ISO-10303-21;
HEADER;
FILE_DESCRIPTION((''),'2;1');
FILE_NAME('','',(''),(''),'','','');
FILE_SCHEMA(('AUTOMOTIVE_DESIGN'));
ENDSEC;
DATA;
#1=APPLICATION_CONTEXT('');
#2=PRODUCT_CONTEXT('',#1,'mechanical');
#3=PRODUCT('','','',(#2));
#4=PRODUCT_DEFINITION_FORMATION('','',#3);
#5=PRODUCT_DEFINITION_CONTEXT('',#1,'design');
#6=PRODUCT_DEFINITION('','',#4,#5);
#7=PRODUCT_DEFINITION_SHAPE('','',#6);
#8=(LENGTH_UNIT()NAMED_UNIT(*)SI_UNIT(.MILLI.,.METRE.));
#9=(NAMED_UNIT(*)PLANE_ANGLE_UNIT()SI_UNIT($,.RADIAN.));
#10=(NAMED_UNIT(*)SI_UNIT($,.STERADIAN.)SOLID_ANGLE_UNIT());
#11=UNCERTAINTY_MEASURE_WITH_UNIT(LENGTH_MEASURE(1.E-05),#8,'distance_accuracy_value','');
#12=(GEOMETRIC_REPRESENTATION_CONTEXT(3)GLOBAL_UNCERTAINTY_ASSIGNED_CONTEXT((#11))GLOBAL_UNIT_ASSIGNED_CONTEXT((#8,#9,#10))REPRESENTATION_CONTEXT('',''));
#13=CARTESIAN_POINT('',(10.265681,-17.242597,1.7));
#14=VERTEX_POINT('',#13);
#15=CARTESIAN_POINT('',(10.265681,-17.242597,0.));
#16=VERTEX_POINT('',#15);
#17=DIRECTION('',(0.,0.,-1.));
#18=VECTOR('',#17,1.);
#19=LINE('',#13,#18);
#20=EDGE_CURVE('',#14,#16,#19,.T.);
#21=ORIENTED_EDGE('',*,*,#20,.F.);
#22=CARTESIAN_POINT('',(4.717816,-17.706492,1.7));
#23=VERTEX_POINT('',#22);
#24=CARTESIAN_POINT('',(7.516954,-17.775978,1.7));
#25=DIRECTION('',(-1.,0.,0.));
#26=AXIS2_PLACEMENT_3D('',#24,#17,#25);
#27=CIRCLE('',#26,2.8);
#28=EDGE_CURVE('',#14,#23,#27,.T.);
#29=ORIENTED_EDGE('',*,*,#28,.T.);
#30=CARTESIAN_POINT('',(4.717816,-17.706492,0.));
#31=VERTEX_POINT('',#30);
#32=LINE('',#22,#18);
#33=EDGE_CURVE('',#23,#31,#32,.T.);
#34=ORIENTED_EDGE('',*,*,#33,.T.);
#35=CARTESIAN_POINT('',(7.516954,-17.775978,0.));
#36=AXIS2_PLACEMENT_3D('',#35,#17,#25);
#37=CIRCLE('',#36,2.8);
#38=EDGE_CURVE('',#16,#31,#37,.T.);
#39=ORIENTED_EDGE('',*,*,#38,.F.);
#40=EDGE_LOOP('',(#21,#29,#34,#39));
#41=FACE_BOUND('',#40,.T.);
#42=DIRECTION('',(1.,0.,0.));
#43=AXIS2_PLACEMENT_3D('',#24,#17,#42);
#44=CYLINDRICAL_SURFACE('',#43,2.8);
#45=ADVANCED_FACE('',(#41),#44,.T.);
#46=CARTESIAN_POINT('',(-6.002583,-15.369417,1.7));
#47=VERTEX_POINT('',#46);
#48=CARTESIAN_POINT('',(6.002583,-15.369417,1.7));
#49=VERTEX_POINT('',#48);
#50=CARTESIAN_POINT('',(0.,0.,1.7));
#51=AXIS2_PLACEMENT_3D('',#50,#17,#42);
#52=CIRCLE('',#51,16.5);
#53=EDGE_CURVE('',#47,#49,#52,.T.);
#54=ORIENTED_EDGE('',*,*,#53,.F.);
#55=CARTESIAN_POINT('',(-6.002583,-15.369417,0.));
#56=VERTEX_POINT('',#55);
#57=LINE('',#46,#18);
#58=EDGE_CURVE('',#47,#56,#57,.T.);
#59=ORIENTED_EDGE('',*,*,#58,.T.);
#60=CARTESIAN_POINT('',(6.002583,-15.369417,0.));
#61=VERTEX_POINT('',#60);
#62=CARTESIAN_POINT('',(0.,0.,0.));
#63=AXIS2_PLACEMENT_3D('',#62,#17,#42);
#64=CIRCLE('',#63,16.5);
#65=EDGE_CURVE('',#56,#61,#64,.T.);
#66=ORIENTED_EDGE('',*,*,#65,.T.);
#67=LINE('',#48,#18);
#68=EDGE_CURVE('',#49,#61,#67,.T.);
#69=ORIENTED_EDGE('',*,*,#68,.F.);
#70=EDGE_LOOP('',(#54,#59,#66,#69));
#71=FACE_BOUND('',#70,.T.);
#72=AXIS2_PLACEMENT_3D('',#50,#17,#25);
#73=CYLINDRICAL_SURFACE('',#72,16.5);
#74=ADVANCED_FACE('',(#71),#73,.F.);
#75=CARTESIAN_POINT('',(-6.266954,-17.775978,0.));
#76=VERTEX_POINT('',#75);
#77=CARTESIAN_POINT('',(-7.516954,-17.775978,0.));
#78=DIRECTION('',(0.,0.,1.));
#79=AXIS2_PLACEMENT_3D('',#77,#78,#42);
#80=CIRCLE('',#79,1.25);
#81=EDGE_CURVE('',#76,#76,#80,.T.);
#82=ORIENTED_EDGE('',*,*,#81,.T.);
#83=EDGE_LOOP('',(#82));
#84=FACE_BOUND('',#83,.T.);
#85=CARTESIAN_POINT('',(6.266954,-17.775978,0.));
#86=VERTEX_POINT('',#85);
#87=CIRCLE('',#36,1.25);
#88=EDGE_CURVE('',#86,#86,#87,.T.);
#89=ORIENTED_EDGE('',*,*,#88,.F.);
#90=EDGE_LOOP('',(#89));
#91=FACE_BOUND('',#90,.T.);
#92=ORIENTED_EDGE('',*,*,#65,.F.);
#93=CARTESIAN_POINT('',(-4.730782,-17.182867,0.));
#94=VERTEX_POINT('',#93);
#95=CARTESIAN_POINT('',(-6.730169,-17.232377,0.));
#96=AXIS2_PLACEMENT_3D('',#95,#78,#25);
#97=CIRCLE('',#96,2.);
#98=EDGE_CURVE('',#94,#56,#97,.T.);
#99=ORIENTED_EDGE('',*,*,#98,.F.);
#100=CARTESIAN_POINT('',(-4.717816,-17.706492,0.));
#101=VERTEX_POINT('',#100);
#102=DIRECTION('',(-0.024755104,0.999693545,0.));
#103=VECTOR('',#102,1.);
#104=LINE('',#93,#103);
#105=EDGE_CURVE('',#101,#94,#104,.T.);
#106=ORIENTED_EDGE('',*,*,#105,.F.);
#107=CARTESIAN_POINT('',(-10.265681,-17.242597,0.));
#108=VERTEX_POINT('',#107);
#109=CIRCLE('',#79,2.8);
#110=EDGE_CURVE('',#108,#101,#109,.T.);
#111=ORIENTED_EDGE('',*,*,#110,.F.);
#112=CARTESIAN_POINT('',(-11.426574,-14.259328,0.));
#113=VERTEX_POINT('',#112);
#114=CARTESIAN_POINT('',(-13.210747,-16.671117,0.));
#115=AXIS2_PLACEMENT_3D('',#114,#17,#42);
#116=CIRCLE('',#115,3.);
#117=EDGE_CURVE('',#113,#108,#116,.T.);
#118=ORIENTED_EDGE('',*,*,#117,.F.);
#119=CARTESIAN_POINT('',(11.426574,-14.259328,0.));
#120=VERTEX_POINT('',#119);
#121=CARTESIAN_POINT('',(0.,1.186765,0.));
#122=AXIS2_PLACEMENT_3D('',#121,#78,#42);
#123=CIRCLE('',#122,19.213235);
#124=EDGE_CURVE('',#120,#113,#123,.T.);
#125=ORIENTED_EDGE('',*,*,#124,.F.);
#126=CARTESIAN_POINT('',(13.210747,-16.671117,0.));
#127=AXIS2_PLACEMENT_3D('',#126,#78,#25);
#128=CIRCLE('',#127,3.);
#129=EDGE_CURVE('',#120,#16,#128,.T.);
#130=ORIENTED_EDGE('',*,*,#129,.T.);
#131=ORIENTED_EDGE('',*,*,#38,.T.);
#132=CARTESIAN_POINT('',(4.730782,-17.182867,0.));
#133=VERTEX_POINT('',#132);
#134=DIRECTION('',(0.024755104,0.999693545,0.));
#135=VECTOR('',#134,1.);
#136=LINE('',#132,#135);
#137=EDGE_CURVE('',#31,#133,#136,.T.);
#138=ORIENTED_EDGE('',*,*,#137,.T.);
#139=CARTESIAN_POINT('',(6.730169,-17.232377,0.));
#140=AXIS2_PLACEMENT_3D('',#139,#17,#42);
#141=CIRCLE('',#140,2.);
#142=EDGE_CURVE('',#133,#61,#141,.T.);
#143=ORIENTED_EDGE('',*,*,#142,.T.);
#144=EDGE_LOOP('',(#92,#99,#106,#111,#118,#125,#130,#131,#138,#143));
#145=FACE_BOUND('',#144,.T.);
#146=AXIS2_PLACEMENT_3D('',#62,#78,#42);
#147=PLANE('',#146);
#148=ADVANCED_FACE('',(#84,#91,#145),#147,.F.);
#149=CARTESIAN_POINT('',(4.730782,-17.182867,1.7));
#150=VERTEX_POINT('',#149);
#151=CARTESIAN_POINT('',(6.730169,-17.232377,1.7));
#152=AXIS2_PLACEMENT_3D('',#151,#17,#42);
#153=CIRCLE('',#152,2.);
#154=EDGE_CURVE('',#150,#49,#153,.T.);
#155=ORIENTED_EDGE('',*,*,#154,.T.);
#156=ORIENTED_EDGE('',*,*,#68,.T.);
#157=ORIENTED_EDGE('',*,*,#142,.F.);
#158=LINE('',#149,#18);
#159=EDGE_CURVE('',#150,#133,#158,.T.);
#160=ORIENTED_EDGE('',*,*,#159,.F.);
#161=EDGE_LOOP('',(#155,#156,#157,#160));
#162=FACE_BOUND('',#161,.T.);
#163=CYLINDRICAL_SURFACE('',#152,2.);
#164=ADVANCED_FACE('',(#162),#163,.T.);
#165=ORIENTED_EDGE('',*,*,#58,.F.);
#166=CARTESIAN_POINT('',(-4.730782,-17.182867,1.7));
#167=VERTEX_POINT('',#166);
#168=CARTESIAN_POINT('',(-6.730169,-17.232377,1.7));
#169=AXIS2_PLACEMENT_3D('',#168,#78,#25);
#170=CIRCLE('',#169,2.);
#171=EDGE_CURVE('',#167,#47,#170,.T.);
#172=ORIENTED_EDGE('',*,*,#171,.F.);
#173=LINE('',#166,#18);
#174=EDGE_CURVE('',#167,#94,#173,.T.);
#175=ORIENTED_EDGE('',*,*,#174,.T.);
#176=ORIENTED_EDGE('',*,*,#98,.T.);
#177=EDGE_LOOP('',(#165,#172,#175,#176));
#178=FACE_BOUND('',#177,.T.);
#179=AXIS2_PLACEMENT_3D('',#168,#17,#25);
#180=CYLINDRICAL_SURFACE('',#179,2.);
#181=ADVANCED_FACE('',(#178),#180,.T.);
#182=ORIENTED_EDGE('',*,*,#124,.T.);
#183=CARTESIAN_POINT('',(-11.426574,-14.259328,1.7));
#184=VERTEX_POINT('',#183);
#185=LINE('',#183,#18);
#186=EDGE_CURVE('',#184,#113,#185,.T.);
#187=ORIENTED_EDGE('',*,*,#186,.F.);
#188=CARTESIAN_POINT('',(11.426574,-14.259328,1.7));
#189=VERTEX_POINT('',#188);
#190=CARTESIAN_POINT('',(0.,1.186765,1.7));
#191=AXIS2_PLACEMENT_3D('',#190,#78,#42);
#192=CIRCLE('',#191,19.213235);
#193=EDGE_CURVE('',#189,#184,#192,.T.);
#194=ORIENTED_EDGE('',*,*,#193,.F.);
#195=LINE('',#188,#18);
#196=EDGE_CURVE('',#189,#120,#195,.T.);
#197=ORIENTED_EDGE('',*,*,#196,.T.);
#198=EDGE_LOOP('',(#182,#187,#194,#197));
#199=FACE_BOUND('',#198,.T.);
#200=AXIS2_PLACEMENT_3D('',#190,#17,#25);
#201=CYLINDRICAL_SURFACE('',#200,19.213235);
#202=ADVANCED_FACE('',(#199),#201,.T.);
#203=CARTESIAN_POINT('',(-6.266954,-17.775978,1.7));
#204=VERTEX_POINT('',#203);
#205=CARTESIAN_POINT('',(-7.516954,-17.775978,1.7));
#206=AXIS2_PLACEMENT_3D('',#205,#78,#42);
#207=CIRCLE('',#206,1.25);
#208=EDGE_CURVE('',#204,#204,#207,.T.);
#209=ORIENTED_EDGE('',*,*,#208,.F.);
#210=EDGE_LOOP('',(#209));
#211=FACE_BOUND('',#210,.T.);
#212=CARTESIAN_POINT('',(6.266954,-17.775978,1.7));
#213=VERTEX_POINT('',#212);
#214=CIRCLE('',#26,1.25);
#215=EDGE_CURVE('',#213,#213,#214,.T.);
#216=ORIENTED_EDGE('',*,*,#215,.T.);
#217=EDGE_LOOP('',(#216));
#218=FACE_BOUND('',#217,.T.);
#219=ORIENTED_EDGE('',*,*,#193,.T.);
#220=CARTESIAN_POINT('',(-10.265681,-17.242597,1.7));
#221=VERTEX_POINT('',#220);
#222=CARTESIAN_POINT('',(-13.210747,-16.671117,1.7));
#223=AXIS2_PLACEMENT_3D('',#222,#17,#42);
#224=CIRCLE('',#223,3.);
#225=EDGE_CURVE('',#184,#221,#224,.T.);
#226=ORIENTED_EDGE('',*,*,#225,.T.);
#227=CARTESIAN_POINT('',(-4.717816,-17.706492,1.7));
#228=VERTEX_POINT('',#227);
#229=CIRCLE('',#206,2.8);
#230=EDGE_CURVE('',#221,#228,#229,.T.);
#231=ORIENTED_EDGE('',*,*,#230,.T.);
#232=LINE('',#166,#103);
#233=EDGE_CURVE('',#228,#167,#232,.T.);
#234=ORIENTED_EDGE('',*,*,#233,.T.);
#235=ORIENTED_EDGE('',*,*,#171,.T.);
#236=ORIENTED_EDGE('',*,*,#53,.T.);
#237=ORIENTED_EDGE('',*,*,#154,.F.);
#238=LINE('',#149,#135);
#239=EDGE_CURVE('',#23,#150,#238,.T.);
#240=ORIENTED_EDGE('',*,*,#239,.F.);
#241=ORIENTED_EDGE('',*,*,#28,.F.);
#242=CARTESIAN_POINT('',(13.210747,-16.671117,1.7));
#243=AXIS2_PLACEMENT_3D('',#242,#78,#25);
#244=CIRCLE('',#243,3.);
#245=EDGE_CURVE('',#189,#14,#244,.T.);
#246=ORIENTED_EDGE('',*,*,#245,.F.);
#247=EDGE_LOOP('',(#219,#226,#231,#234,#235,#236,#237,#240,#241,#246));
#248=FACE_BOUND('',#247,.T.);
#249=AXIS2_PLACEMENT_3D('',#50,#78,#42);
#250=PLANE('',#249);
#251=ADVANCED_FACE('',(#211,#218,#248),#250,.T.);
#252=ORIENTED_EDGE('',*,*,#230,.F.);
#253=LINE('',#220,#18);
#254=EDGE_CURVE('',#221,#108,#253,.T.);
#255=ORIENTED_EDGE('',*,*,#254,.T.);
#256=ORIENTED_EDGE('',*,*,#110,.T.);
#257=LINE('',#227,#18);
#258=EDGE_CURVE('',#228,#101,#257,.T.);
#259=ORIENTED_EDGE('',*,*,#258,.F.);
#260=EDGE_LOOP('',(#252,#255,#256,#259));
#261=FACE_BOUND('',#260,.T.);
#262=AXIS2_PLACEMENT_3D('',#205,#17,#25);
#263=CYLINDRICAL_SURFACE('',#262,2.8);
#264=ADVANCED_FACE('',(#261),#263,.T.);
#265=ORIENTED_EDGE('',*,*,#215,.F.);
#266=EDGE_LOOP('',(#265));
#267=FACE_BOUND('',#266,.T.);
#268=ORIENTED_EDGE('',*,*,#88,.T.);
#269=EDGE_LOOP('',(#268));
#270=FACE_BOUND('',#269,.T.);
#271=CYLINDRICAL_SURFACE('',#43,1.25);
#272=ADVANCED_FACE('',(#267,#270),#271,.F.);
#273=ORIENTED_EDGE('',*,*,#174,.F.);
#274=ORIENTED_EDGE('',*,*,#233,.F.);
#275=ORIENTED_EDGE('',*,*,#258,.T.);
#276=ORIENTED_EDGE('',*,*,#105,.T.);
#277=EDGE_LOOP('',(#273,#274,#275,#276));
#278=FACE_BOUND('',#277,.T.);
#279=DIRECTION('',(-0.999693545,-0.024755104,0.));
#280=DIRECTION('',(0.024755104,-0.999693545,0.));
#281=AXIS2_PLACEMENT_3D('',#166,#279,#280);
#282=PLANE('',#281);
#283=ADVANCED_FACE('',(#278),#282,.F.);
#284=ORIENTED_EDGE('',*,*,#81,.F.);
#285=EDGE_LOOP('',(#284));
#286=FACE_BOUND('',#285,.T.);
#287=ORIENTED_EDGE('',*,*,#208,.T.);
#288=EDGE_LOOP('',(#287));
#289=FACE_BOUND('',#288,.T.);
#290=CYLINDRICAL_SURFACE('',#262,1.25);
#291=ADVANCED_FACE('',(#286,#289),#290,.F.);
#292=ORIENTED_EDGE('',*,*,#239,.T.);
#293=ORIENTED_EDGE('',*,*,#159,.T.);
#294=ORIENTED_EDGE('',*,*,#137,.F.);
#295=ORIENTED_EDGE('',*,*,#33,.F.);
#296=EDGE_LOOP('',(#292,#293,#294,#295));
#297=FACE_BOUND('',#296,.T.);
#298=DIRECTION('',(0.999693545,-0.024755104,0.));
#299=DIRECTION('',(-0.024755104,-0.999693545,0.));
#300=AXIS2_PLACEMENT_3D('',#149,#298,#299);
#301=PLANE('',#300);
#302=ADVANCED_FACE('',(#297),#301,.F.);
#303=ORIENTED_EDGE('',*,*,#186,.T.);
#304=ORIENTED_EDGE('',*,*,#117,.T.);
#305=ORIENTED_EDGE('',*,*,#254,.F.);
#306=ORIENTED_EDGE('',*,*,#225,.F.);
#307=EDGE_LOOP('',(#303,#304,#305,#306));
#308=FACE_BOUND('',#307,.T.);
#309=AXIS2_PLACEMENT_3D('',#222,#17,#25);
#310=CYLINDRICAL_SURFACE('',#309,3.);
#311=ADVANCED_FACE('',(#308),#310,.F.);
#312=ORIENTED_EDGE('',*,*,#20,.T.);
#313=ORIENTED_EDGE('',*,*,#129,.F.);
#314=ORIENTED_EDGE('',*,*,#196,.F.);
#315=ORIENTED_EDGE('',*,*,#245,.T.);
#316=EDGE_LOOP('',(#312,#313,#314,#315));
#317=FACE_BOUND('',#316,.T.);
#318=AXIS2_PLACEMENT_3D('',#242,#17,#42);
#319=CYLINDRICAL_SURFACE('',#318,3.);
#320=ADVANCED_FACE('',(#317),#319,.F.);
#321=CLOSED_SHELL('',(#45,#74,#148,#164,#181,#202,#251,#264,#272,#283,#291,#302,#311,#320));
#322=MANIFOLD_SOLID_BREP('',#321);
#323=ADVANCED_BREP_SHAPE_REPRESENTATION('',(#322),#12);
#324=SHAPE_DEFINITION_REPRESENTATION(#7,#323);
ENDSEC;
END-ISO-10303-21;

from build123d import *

# Parameters (mm, degrees)
SKETCH_2_R      = 1.25
EXTRUDE_1_DEPTH = 1.7


with BuildPart() as part:
    # Эскиз2 → Бобышка-Вытянуть1 (new body)
    with BuildSketch(Plane.XY):
        with BuildLine():
            Line((0, 16.5), (0, 20.4))
            ThreePointArc((0, 20.4), (-18.247161486, 7.202535297), (-11.42657443, -14.259327835))
            ThreePointArc((-11.42657443, -14.259327835), (-10.414964854, -15.583182123), (-10.265681334, -17.242597243))
            ThreePointArc((-10.265681334, -17.242597243), (-7.750266266, -20.566241003), (-4.717815883, -17.706491802))
            Line((-4.717815883, -17.706491802), (-4.730782246, -17.182866897))
            ThreePointArc((-4.730782246, -17.182866897), (-5.092718531, -16.084006582), (-6.002583463, -15.369417418))
            ThreePointArc((-6.002583463, -15.369417418), (-16.21489111, 3.054063899), (0, 16.5))
        make_face()
        with Locations((-7.516953538, -17.77597844)):
            Circle(SKETCH_2_R, mode=Mode.SUBTRACT)
    extrude(amount=EXTRUDE_1_DEPTH)

    # Зеркальное отражение1: part across plane


with BuildPart() as part_1:
    add(part.part)
    add(part.part.mirror(Plane(origin=(0, 16.5, 1.7), x_dir=(0, 0, 1), z_dir=(-1, 0, 0))))


solid = part_1.part
